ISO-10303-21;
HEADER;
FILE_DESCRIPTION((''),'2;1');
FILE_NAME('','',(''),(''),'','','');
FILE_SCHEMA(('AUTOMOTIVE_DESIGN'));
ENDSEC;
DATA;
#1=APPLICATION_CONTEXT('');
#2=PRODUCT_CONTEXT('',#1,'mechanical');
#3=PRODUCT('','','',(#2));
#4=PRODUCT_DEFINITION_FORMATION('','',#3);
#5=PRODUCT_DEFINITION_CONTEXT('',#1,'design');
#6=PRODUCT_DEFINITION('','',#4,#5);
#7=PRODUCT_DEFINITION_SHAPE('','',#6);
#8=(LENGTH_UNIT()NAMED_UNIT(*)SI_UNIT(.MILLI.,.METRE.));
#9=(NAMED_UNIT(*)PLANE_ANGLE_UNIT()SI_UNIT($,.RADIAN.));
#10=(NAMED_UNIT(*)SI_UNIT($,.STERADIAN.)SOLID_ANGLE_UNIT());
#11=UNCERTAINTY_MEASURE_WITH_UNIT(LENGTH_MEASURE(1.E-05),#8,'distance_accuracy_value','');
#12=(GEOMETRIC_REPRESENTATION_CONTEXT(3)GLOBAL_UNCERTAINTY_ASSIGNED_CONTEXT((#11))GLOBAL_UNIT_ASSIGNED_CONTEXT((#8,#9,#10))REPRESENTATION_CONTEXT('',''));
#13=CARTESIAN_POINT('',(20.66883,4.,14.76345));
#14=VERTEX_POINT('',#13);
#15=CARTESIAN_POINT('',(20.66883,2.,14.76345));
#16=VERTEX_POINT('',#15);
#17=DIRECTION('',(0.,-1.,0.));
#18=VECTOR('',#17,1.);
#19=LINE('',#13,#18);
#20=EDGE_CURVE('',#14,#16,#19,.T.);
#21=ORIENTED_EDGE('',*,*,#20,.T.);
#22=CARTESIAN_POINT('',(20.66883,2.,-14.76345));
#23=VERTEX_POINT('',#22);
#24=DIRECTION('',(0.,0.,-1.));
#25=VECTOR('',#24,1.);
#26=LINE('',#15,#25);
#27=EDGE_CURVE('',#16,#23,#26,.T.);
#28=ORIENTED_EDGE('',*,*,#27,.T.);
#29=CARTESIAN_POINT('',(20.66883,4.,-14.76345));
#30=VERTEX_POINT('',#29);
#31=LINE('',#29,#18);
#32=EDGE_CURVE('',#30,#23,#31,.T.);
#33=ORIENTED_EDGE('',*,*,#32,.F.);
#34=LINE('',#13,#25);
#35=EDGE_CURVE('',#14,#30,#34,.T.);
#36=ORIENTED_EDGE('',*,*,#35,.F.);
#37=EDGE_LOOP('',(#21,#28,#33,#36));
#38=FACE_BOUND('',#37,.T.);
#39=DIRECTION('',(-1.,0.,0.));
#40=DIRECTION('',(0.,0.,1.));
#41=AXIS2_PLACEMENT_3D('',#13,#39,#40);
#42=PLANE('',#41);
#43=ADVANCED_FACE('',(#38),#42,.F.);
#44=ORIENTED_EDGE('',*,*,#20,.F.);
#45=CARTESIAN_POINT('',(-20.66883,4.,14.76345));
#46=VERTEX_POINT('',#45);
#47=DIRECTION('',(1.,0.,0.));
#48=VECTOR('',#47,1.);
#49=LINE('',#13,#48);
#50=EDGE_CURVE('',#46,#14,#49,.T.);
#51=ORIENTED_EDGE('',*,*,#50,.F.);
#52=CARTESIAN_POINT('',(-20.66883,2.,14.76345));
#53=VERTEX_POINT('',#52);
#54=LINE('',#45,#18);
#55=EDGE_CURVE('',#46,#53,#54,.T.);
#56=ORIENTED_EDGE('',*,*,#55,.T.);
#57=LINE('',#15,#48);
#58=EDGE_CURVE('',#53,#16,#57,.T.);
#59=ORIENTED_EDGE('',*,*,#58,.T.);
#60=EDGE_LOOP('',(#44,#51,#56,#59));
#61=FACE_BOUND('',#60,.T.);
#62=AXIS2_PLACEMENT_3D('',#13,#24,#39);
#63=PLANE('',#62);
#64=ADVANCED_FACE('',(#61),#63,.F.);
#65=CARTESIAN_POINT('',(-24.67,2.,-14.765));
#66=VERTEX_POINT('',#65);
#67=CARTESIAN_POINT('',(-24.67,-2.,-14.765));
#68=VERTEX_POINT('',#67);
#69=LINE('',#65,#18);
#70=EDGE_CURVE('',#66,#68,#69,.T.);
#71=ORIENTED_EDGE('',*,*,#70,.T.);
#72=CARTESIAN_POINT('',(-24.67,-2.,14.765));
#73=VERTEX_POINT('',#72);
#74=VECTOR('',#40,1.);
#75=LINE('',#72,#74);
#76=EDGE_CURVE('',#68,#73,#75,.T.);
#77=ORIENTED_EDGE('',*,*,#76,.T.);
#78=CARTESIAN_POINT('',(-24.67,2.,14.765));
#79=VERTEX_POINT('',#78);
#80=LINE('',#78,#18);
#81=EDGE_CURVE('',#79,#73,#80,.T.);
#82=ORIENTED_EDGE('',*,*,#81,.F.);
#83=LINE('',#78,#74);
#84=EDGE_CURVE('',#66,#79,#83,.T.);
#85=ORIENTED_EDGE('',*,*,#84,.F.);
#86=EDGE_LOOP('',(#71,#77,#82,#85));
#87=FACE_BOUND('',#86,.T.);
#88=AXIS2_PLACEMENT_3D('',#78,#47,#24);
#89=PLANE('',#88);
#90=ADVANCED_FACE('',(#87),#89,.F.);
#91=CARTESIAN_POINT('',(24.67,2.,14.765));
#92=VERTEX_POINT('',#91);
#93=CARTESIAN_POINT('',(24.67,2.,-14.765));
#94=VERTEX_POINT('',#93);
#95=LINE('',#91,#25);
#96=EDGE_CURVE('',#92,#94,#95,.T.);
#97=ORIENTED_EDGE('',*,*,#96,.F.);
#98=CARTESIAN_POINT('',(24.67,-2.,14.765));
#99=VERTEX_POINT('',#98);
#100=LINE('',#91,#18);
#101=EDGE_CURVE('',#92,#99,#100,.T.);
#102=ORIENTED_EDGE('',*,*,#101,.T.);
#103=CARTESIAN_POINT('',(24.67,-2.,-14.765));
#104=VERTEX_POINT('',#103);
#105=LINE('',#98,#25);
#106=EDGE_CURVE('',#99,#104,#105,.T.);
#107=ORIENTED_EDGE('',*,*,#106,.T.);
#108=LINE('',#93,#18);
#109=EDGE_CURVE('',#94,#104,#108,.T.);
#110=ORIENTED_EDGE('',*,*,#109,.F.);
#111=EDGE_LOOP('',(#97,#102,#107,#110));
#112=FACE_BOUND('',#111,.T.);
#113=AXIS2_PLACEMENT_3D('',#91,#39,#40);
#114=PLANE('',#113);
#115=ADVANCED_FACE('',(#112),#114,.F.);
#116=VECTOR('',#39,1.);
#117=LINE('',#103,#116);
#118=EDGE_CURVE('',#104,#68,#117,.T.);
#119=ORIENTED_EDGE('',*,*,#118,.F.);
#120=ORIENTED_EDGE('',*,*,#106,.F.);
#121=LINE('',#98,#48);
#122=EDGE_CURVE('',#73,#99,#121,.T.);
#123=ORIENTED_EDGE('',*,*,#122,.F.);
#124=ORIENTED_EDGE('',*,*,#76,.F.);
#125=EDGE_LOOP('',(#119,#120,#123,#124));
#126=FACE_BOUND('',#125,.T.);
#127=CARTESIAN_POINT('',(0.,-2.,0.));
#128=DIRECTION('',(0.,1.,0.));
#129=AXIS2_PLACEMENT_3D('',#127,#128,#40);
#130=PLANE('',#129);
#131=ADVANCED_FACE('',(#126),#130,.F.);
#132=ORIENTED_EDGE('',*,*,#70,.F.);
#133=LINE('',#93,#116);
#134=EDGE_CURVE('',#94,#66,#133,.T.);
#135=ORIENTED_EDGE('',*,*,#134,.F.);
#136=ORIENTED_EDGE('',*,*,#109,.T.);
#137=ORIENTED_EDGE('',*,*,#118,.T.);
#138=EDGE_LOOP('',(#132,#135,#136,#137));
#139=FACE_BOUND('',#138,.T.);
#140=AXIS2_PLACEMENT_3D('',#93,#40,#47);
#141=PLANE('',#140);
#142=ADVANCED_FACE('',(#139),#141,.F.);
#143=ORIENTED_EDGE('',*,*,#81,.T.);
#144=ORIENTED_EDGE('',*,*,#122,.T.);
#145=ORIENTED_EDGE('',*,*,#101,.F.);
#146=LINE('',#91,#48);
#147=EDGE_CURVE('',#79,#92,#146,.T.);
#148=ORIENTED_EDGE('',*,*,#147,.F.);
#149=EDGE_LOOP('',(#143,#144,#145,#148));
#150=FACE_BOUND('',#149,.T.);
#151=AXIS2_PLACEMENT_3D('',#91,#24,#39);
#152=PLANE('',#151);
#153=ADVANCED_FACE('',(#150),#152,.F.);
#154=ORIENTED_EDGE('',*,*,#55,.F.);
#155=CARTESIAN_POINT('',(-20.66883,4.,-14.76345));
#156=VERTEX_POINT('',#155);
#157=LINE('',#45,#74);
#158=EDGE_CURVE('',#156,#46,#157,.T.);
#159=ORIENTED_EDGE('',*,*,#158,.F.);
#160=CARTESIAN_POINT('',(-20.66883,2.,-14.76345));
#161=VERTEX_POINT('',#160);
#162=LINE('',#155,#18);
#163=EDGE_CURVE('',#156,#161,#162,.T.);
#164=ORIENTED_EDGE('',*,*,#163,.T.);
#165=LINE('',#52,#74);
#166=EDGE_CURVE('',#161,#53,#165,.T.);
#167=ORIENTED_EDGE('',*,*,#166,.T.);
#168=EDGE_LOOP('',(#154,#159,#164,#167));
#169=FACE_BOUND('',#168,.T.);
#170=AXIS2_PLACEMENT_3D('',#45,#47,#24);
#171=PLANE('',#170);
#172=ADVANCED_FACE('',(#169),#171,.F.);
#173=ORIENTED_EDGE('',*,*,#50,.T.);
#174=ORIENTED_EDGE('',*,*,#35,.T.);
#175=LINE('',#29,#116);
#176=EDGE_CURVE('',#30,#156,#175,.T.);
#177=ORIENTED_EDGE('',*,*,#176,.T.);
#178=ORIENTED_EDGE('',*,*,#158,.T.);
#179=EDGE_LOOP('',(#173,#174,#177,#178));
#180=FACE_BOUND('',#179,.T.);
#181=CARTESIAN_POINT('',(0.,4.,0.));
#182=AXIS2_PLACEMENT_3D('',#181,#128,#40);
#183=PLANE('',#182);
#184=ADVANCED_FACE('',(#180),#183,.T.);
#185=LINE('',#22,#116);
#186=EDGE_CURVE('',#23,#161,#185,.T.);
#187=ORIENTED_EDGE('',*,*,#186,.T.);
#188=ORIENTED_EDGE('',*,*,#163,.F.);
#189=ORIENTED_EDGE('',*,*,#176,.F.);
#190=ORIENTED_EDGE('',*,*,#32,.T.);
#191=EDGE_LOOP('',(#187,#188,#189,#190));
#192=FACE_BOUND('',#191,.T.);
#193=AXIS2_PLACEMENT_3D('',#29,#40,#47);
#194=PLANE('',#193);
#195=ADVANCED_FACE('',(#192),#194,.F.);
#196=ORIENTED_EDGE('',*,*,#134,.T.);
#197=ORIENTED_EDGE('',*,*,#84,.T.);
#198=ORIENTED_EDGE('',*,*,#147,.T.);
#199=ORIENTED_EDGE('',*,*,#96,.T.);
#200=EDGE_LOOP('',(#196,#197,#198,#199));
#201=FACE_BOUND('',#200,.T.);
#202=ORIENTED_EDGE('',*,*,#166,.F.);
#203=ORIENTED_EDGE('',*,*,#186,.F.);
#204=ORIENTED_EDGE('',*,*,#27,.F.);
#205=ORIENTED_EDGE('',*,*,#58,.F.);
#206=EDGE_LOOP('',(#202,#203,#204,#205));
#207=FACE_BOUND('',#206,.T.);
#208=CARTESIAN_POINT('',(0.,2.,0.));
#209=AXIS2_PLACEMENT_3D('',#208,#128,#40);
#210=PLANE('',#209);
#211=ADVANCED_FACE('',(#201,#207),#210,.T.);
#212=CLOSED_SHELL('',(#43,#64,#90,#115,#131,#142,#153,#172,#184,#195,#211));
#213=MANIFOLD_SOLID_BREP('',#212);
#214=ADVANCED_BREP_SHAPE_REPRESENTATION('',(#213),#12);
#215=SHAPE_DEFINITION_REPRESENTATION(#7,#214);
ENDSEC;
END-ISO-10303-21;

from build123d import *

# Parameters (mm, degrees)
BOSS_EXTRUDE1_START = 2
SKETCH1_W           = 41.337660338
SKETCH1_H           = 29.52690024
BOSS_EXTRUDE1_DEPTH = 2
BOSS_EXTRUDE2_START = -2
SKETCH2_W           = 49.34
SKETCH2_H           = 29.53
BOSS_EXTRUDE2_DEPTH = 4


with BuildPart() as part:
    # Sketch1 → Boss-Extrude1 (new body)
    with BuildSketch(Plane(origin=(0, 0, 0), x_dir=(1, 0, 0), z_dir=(0, 1, 0)).offset(BOSS_EXTRUDE1_START)):
        Rectangle(SKETCH1_W, SKETCH1_H)
    extrude(amount=BOSS_EXTRUDE1_DEPTH)

    # Sketch2 → Boss-Extrude2 (add)
    with BuildSketch(Plane(origin=(0, 0, 0), x_dir=(1, 0, 0), z_dir=(0, 1, 0)).offset(BOSS_EXTRUDE2_START)):
        Rectangle(SKETCH2_W, SKETCH2_H)
    extrude(amount=BOSS_EXTRUDE2_DEPTH)


solid = part.part
